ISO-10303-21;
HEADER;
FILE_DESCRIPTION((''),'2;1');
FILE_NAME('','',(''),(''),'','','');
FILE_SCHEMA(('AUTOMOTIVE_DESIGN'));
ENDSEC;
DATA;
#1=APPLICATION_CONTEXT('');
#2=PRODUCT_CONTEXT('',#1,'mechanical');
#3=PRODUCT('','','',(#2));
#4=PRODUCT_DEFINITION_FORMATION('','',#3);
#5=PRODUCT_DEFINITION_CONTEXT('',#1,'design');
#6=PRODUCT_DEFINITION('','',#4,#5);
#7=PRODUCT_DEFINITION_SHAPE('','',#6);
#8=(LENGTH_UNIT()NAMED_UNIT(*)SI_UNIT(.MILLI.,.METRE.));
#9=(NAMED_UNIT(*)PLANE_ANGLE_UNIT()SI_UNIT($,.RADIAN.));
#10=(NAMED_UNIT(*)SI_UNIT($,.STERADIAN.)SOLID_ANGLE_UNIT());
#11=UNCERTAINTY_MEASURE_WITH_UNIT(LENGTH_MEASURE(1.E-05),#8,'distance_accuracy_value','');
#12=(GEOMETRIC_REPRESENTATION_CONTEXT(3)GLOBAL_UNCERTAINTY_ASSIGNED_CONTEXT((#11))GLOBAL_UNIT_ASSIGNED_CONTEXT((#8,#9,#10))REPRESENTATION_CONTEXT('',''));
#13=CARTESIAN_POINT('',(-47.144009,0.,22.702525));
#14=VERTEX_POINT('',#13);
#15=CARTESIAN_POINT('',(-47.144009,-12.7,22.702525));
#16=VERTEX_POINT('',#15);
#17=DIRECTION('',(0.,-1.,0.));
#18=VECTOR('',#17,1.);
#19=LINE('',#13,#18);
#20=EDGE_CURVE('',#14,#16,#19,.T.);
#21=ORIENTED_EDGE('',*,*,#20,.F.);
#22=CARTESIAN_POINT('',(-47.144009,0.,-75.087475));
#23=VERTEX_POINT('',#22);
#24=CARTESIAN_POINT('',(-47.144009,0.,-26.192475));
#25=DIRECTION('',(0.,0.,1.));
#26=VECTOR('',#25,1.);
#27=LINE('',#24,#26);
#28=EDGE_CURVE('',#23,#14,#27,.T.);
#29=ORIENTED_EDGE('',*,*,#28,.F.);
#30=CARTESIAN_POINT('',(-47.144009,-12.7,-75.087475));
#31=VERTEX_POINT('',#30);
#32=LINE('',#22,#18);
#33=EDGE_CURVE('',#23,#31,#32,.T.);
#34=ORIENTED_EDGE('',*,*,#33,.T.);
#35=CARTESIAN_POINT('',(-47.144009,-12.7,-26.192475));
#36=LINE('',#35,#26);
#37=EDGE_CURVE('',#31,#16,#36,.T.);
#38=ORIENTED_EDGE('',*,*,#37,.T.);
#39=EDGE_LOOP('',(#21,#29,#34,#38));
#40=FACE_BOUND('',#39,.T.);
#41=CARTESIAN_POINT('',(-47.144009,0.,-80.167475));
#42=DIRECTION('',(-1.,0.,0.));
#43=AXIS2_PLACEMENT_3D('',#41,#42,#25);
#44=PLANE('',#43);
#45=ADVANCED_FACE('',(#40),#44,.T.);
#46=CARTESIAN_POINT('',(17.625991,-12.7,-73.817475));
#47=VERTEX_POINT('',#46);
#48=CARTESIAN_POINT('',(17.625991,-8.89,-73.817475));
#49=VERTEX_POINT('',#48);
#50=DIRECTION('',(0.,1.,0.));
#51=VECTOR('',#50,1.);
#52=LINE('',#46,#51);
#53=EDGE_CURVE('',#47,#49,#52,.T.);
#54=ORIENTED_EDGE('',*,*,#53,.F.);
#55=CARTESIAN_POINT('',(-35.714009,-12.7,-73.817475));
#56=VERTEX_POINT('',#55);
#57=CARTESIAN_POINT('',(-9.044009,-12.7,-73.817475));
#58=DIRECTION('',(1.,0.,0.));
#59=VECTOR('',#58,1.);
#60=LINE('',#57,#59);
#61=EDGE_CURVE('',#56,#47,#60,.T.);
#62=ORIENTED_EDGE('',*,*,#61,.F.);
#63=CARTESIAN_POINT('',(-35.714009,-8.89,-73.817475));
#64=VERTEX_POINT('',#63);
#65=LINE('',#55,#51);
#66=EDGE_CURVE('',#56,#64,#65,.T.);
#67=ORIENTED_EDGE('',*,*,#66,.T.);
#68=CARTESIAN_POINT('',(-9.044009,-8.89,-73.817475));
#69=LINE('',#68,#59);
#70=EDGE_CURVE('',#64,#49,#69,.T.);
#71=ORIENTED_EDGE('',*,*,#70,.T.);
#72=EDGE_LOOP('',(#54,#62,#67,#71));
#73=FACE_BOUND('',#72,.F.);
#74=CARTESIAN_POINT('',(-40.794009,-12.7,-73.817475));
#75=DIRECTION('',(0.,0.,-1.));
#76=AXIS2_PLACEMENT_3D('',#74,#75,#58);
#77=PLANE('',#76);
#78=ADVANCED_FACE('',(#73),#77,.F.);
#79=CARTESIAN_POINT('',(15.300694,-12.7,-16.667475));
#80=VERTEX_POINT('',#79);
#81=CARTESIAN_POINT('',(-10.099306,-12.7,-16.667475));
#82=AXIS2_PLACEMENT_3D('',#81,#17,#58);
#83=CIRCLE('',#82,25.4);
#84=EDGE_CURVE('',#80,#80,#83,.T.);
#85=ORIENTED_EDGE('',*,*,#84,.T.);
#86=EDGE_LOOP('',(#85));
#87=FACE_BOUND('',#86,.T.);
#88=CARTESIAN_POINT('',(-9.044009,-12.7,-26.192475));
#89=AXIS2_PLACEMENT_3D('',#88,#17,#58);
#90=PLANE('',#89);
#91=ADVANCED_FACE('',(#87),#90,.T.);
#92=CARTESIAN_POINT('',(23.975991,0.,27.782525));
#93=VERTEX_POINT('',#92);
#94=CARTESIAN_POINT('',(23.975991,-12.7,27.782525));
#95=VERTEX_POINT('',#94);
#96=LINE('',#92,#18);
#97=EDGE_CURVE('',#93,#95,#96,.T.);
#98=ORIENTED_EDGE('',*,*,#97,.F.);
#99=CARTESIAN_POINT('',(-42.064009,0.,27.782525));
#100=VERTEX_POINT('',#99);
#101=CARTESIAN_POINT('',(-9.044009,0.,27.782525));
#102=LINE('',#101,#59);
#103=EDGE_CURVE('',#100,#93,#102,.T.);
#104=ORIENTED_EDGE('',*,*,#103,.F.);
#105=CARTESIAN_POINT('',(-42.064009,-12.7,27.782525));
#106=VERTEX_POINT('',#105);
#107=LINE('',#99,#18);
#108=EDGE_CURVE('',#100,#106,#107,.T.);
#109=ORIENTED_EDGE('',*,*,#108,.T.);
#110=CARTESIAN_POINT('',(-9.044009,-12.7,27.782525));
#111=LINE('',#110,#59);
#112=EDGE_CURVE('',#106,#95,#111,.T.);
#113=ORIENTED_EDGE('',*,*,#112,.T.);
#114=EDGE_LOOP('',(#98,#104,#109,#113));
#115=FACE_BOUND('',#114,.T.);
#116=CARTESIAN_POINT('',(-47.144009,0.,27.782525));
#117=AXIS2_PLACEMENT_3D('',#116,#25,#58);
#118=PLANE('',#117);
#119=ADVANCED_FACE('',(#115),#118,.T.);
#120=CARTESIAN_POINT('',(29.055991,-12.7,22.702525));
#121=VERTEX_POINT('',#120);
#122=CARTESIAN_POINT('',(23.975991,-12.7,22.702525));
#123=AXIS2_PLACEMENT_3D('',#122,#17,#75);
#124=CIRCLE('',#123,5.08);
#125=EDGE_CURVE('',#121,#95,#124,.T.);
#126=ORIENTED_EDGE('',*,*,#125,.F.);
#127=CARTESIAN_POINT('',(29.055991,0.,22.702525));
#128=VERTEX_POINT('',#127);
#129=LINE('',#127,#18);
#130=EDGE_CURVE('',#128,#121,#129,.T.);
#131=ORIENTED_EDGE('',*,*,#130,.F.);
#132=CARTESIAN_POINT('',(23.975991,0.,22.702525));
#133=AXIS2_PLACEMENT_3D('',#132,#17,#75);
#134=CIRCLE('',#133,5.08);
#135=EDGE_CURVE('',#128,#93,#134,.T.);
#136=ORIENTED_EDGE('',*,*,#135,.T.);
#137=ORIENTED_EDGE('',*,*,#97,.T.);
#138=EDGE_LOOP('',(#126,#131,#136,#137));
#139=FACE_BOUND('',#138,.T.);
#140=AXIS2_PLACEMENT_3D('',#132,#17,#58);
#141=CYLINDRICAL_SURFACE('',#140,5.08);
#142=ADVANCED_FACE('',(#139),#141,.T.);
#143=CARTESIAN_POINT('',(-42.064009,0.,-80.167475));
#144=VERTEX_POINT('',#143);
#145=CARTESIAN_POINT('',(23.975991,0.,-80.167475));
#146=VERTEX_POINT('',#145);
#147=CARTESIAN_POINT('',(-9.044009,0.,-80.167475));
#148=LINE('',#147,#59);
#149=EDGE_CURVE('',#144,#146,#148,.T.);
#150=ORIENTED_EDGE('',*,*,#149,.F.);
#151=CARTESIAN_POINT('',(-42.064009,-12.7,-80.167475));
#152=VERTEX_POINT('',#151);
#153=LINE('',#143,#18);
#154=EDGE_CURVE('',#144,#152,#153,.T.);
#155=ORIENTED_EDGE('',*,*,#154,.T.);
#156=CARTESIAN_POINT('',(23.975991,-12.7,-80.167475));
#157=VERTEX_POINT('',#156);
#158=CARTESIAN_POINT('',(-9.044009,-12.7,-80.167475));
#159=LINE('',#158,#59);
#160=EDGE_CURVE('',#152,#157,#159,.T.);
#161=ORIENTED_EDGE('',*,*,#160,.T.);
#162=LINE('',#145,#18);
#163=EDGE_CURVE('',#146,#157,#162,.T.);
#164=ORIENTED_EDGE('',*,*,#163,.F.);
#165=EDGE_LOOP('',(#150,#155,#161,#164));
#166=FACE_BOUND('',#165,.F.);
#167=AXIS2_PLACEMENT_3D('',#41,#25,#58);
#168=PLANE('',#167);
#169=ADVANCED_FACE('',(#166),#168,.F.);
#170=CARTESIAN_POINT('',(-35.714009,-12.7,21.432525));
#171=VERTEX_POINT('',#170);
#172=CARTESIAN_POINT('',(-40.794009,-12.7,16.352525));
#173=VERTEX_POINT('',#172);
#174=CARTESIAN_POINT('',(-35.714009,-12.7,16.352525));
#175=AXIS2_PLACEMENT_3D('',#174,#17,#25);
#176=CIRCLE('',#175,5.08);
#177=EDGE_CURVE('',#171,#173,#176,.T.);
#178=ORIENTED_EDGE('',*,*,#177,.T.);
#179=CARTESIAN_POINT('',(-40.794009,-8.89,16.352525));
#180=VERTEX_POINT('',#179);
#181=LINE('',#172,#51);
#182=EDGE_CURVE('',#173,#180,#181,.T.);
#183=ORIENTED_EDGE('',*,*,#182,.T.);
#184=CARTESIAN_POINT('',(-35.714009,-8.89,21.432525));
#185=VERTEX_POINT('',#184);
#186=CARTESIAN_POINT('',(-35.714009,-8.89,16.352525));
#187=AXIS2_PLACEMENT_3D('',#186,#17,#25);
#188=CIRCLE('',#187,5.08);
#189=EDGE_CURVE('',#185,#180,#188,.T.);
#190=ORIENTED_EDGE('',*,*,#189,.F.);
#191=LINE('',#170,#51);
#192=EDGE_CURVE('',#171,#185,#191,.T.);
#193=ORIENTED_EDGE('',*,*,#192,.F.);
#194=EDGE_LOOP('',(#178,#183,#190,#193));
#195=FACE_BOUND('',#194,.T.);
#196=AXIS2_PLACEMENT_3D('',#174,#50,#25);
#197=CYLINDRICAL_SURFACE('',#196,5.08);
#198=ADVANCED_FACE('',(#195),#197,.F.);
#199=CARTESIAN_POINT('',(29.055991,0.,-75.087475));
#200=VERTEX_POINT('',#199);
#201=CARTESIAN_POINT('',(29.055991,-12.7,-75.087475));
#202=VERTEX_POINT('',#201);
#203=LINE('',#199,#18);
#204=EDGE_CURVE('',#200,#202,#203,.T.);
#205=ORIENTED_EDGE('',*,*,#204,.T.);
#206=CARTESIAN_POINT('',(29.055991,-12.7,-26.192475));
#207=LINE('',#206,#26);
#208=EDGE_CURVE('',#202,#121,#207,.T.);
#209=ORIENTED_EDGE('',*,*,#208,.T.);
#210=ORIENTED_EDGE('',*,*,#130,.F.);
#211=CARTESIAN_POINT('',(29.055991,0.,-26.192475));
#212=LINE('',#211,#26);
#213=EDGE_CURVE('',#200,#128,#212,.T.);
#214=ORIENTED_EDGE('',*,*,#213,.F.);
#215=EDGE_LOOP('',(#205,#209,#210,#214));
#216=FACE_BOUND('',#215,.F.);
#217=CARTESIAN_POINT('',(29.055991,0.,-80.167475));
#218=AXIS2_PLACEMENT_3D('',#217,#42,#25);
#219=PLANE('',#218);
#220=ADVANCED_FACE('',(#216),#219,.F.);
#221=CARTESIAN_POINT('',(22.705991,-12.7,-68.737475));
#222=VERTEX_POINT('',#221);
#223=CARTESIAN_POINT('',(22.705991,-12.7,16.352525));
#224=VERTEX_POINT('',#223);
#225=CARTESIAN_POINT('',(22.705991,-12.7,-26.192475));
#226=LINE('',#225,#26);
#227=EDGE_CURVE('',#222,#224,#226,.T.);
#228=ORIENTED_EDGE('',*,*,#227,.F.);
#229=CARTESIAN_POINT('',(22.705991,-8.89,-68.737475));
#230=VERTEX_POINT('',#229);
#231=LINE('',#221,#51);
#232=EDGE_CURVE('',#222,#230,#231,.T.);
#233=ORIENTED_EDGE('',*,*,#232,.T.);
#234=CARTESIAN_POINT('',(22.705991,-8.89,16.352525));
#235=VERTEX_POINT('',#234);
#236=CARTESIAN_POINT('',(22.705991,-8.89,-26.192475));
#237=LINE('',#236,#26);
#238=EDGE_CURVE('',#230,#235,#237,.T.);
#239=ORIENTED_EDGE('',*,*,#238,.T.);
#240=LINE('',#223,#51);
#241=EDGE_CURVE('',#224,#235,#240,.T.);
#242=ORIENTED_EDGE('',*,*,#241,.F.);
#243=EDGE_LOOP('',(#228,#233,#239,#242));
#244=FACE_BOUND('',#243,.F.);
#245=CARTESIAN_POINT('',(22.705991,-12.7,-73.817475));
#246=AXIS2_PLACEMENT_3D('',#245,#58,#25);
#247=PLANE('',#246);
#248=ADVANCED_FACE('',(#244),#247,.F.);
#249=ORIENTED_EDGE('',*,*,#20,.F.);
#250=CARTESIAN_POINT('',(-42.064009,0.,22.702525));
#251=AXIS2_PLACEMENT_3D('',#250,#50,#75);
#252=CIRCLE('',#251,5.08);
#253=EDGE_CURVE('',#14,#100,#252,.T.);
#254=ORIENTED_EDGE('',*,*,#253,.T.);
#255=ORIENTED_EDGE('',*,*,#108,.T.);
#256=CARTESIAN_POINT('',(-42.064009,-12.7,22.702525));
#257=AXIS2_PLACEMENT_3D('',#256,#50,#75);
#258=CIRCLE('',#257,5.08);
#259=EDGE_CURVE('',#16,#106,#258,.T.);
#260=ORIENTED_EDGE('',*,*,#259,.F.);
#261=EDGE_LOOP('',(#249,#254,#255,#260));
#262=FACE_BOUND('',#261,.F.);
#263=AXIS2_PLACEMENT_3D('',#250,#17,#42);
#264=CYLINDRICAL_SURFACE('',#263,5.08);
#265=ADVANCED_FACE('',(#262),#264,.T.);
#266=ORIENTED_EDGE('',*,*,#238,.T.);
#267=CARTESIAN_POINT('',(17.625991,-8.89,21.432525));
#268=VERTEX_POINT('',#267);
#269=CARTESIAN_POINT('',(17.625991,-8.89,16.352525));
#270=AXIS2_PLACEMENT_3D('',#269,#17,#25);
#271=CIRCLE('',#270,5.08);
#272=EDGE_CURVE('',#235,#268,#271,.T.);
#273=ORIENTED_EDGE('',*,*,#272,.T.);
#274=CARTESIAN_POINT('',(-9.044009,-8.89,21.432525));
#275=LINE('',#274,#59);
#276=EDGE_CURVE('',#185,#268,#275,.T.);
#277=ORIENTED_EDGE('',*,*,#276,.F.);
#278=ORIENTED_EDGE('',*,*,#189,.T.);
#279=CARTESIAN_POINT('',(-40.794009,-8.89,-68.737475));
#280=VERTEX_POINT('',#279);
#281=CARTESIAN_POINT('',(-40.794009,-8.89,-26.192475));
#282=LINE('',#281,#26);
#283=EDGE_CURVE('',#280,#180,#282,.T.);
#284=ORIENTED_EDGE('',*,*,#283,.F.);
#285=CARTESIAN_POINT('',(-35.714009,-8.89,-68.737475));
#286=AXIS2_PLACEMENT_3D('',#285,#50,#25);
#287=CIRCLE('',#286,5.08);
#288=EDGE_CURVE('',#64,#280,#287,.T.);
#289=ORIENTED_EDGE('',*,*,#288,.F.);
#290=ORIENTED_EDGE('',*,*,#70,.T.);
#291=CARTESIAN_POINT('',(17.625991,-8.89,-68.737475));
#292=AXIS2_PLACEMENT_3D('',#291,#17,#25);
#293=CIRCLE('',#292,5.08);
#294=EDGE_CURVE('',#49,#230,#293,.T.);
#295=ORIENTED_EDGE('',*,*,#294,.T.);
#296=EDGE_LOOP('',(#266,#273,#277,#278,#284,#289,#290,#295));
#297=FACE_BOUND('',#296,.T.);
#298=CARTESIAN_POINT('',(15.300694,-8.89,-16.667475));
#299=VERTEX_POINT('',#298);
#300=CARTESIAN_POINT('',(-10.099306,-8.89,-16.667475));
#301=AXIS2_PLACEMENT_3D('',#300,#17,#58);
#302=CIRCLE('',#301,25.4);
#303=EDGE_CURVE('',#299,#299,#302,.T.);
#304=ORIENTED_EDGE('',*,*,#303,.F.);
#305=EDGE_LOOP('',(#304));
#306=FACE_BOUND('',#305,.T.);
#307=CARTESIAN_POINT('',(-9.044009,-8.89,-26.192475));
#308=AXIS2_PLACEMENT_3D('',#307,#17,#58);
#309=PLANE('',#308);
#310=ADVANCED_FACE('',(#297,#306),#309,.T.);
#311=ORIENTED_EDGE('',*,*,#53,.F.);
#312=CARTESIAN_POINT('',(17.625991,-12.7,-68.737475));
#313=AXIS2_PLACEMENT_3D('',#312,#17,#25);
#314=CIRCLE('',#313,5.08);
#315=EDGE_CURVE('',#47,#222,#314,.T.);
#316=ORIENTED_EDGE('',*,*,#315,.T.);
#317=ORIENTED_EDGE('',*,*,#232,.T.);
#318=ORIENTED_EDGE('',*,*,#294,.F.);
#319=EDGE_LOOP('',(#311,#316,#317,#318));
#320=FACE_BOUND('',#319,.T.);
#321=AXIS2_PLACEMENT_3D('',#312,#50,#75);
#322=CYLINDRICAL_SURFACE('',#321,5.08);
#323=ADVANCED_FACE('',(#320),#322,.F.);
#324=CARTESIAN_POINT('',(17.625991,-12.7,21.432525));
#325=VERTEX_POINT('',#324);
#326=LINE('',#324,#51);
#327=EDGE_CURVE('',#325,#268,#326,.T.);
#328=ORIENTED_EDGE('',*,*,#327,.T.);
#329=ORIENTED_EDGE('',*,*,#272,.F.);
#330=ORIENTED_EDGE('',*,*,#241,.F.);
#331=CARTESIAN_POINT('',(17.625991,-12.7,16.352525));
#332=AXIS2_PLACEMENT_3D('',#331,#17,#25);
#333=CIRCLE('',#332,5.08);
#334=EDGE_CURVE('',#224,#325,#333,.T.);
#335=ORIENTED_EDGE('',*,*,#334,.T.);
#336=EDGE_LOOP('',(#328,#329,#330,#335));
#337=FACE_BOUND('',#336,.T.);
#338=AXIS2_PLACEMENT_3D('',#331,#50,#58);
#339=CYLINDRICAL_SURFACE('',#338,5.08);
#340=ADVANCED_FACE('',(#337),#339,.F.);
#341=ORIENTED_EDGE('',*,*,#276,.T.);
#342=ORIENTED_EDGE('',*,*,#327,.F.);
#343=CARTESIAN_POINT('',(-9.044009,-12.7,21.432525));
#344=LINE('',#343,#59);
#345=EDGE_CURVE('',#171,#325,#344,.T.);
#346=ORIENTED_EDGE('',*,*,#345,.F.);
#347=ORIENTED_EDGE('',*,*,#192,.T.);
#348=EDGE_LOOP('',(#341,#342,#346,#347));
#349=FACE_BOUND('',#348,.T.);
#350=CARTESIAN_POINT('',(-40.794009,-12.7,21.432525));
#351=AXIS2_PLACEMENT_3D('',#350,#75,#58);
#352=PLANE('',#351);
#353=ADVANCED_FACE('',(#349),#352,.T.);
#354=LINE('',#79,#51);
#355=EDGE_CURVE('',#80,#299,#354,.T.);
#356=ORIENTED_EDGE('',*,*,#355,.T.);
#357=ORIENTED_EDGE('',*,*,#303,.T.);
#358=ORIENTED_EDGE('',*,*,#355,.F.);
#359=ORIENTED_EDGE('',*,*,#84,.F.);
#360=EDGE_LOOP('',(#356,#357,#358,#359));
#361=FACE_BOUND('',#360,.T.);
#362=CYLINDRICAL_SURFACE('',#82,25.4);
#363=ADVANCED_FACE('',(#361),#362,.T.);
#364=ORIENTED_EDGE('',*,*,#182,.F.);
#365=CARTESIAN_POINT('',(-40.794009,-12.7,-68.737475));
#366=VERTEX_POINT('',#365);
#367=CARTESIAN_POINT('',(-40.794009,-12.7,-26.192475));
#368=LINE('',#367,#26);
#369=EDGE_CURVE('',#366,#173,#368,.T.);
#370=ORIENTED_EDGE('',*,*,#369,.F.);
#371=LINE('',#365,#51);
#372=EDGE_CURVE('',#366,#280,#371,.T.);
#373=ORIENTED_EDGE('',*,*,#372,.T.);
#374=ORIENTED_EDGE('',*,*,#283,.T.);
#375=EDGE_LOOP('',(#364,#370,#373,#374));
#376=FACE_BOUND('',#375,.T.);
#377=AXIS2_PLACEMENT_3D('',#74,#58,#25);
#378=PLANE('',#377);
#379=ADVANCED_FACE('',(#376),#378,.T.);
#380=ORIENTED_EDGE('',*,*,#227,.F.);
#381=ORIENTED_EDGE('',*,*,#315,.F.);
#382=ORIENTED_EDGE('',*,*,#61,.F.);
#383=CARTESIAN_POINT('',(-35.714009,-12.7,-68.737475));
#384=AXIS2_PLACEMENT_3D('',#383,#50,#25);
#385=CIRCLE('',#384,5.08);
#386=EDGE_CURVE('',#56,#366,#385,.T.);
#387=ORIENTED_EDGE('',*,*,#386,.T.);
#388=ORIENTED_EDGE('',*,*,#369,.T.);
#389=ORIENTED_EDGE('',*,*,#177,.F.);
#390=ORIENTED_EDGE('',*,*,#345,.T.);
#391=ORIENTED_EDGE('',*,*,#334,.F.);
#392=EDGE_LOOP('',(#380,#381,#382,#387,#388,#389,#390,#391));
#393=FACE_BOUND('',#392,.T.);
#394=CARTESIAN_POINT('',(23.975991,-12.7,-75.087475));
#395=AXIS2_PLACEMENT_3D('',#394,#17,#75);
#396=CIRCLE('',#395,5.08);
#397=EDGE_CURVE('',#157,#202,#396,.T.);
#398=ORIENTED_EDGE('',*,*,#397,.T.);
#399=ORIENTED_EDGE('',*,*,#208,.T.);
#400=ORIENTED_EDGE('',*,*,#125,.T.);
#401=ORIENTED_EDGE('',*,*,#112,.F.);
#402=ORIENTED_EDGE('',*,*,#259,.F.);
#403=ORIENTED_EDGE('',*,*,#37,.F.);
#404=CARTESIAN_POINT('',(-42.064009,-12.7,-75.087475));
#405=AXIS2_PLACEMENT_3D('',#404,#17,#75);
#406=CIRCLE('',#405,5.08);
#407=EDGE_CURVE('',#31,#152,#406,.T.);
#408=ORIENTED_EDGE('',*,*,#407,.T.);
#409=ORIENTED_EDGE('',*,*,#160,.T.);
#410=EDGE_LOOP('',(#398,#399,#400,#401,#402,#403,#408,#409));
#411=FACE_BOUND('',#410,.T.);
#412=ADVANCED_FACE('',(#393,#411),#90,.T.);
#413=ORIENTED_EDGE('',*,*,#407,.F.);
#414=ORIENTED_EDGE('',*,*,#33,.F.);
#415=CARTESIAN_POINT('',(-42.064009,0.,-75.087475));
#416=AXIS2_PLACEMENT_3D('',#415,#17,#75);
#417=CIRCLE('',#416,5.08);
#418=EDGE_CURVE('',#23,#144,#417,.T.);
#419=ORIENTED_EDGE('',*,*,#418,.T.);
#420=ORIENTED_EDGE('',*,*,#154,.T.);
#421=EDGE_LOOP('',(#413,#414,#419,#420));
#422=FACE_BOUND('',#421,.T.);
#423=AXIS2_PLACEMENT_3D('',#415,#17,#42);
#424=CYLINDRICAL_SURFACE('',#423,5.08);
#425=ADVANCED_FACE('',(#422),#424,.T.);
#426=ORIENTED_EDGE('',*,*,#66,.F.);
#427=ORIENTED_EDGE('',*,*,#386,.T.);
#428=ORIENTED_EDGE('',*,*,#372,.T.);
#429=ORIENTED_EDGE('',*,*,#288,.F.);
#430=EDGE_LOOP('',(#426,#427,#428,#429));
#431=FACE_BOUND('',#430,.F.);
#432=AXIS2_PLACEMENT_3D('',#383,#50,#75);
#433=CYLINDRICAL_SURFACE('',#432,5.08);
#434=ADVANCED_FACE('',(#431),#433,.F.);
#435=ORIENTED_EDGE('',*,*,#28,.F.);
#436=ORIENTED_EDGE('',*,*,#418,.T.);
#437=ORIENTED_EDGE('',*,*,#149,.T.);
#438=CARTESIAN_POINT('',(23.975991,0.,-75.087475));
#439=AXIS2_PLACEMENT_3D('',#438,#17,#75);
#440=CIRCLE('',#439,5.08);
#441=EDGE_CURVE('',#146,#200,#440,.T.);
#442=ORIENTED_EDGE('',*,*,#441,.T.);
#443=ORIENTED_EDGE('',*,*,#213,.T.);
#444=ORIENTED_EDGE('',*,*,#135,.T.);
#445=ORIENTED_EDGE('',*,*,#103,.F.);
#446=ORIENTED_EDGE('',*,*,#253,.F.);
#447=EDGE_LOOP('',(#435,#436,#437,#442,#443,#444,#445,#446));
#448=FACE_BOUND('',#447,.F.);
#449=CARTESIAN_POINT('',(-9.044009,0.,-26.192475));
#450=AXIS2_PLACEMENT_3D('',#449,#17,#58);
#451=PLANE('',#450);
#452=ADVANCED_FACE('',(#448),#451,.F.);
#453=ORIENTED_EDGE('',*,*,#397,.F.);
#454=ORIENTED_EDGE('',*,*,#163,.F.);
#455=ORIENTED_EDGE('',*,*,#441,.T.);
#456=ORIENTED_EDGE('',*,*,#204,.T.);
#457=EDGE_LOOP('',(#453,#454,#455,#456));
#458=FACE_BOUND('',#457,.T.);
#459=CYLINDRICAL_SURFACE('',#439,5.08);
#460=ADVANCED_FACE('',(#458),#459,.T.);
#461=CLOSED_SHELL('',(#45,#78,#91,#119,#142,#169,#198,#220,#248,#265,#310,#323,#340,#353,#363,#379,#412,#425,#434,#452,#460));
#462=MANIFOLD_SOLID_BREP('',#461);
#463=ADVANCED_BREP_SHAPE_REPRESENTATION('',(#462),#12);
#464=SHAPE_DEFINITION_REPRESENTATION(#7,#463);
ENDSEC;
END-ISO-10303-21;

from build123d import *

# Parameters (mm, degrees)
F0_W     = 76.2
F0_H     = 107.95
F1_DEPTH = 12.7
F2_R     = 5.08
F3_W     = 63.5
F3_H     = 95.25
F3_R     = 25.4
F4_DEPTH = 3.81
F5_R     = 5.08


with BuildPart() as f1:
    # F0 (on Front) → F1 (new body)
    with BuildSketch(Plane.XZ):
        with Locations((-9.044009, -26.192475)):
            Rectangle(F0_W, F0_H)
    extrude(amount=F1_DEPTH)

    # F2
    f2_edges = [f1.edges().sort_by_distance(p)[0] for p in [
        (-47.144009, -6.35, 27.782525),
        (29.055991, -6.35, 27.782525),
        (29.055991, -6.35, -80.167475),
        (-47.144009, -6.35, -80.167475),
    ]]
    fillet(f2_edges, radius=F2_R)

    # F3 (on face) → F4 (cut)
    with BuildSketch(Plane.XZ.offset(12.7)):
        with Locations((-9.044009, -26.192475)):
            Rectangle(F3_W, F3_H)
        with Locations((-10.099306, -16.667475)):
            Circle(F3_R, mode=Mode.SUBTRACT)
    extrude(amount=-F4_DEPTH, mode=Mode.SUBTRACT)

    # F5
    f5_edges = [f1.edges().sort_by_distance(p)[0] for p in [
        (-40.794009, -10.795, 21.432525),
        (22.705991, -10.795, 21.432525),
        (22.705991, -10.795, -73.817475),
        (-40.794009, -10.795, -73.817475),
    ]]
    fillet(f5_edges, radius=F5_R)


solid = f1.part
